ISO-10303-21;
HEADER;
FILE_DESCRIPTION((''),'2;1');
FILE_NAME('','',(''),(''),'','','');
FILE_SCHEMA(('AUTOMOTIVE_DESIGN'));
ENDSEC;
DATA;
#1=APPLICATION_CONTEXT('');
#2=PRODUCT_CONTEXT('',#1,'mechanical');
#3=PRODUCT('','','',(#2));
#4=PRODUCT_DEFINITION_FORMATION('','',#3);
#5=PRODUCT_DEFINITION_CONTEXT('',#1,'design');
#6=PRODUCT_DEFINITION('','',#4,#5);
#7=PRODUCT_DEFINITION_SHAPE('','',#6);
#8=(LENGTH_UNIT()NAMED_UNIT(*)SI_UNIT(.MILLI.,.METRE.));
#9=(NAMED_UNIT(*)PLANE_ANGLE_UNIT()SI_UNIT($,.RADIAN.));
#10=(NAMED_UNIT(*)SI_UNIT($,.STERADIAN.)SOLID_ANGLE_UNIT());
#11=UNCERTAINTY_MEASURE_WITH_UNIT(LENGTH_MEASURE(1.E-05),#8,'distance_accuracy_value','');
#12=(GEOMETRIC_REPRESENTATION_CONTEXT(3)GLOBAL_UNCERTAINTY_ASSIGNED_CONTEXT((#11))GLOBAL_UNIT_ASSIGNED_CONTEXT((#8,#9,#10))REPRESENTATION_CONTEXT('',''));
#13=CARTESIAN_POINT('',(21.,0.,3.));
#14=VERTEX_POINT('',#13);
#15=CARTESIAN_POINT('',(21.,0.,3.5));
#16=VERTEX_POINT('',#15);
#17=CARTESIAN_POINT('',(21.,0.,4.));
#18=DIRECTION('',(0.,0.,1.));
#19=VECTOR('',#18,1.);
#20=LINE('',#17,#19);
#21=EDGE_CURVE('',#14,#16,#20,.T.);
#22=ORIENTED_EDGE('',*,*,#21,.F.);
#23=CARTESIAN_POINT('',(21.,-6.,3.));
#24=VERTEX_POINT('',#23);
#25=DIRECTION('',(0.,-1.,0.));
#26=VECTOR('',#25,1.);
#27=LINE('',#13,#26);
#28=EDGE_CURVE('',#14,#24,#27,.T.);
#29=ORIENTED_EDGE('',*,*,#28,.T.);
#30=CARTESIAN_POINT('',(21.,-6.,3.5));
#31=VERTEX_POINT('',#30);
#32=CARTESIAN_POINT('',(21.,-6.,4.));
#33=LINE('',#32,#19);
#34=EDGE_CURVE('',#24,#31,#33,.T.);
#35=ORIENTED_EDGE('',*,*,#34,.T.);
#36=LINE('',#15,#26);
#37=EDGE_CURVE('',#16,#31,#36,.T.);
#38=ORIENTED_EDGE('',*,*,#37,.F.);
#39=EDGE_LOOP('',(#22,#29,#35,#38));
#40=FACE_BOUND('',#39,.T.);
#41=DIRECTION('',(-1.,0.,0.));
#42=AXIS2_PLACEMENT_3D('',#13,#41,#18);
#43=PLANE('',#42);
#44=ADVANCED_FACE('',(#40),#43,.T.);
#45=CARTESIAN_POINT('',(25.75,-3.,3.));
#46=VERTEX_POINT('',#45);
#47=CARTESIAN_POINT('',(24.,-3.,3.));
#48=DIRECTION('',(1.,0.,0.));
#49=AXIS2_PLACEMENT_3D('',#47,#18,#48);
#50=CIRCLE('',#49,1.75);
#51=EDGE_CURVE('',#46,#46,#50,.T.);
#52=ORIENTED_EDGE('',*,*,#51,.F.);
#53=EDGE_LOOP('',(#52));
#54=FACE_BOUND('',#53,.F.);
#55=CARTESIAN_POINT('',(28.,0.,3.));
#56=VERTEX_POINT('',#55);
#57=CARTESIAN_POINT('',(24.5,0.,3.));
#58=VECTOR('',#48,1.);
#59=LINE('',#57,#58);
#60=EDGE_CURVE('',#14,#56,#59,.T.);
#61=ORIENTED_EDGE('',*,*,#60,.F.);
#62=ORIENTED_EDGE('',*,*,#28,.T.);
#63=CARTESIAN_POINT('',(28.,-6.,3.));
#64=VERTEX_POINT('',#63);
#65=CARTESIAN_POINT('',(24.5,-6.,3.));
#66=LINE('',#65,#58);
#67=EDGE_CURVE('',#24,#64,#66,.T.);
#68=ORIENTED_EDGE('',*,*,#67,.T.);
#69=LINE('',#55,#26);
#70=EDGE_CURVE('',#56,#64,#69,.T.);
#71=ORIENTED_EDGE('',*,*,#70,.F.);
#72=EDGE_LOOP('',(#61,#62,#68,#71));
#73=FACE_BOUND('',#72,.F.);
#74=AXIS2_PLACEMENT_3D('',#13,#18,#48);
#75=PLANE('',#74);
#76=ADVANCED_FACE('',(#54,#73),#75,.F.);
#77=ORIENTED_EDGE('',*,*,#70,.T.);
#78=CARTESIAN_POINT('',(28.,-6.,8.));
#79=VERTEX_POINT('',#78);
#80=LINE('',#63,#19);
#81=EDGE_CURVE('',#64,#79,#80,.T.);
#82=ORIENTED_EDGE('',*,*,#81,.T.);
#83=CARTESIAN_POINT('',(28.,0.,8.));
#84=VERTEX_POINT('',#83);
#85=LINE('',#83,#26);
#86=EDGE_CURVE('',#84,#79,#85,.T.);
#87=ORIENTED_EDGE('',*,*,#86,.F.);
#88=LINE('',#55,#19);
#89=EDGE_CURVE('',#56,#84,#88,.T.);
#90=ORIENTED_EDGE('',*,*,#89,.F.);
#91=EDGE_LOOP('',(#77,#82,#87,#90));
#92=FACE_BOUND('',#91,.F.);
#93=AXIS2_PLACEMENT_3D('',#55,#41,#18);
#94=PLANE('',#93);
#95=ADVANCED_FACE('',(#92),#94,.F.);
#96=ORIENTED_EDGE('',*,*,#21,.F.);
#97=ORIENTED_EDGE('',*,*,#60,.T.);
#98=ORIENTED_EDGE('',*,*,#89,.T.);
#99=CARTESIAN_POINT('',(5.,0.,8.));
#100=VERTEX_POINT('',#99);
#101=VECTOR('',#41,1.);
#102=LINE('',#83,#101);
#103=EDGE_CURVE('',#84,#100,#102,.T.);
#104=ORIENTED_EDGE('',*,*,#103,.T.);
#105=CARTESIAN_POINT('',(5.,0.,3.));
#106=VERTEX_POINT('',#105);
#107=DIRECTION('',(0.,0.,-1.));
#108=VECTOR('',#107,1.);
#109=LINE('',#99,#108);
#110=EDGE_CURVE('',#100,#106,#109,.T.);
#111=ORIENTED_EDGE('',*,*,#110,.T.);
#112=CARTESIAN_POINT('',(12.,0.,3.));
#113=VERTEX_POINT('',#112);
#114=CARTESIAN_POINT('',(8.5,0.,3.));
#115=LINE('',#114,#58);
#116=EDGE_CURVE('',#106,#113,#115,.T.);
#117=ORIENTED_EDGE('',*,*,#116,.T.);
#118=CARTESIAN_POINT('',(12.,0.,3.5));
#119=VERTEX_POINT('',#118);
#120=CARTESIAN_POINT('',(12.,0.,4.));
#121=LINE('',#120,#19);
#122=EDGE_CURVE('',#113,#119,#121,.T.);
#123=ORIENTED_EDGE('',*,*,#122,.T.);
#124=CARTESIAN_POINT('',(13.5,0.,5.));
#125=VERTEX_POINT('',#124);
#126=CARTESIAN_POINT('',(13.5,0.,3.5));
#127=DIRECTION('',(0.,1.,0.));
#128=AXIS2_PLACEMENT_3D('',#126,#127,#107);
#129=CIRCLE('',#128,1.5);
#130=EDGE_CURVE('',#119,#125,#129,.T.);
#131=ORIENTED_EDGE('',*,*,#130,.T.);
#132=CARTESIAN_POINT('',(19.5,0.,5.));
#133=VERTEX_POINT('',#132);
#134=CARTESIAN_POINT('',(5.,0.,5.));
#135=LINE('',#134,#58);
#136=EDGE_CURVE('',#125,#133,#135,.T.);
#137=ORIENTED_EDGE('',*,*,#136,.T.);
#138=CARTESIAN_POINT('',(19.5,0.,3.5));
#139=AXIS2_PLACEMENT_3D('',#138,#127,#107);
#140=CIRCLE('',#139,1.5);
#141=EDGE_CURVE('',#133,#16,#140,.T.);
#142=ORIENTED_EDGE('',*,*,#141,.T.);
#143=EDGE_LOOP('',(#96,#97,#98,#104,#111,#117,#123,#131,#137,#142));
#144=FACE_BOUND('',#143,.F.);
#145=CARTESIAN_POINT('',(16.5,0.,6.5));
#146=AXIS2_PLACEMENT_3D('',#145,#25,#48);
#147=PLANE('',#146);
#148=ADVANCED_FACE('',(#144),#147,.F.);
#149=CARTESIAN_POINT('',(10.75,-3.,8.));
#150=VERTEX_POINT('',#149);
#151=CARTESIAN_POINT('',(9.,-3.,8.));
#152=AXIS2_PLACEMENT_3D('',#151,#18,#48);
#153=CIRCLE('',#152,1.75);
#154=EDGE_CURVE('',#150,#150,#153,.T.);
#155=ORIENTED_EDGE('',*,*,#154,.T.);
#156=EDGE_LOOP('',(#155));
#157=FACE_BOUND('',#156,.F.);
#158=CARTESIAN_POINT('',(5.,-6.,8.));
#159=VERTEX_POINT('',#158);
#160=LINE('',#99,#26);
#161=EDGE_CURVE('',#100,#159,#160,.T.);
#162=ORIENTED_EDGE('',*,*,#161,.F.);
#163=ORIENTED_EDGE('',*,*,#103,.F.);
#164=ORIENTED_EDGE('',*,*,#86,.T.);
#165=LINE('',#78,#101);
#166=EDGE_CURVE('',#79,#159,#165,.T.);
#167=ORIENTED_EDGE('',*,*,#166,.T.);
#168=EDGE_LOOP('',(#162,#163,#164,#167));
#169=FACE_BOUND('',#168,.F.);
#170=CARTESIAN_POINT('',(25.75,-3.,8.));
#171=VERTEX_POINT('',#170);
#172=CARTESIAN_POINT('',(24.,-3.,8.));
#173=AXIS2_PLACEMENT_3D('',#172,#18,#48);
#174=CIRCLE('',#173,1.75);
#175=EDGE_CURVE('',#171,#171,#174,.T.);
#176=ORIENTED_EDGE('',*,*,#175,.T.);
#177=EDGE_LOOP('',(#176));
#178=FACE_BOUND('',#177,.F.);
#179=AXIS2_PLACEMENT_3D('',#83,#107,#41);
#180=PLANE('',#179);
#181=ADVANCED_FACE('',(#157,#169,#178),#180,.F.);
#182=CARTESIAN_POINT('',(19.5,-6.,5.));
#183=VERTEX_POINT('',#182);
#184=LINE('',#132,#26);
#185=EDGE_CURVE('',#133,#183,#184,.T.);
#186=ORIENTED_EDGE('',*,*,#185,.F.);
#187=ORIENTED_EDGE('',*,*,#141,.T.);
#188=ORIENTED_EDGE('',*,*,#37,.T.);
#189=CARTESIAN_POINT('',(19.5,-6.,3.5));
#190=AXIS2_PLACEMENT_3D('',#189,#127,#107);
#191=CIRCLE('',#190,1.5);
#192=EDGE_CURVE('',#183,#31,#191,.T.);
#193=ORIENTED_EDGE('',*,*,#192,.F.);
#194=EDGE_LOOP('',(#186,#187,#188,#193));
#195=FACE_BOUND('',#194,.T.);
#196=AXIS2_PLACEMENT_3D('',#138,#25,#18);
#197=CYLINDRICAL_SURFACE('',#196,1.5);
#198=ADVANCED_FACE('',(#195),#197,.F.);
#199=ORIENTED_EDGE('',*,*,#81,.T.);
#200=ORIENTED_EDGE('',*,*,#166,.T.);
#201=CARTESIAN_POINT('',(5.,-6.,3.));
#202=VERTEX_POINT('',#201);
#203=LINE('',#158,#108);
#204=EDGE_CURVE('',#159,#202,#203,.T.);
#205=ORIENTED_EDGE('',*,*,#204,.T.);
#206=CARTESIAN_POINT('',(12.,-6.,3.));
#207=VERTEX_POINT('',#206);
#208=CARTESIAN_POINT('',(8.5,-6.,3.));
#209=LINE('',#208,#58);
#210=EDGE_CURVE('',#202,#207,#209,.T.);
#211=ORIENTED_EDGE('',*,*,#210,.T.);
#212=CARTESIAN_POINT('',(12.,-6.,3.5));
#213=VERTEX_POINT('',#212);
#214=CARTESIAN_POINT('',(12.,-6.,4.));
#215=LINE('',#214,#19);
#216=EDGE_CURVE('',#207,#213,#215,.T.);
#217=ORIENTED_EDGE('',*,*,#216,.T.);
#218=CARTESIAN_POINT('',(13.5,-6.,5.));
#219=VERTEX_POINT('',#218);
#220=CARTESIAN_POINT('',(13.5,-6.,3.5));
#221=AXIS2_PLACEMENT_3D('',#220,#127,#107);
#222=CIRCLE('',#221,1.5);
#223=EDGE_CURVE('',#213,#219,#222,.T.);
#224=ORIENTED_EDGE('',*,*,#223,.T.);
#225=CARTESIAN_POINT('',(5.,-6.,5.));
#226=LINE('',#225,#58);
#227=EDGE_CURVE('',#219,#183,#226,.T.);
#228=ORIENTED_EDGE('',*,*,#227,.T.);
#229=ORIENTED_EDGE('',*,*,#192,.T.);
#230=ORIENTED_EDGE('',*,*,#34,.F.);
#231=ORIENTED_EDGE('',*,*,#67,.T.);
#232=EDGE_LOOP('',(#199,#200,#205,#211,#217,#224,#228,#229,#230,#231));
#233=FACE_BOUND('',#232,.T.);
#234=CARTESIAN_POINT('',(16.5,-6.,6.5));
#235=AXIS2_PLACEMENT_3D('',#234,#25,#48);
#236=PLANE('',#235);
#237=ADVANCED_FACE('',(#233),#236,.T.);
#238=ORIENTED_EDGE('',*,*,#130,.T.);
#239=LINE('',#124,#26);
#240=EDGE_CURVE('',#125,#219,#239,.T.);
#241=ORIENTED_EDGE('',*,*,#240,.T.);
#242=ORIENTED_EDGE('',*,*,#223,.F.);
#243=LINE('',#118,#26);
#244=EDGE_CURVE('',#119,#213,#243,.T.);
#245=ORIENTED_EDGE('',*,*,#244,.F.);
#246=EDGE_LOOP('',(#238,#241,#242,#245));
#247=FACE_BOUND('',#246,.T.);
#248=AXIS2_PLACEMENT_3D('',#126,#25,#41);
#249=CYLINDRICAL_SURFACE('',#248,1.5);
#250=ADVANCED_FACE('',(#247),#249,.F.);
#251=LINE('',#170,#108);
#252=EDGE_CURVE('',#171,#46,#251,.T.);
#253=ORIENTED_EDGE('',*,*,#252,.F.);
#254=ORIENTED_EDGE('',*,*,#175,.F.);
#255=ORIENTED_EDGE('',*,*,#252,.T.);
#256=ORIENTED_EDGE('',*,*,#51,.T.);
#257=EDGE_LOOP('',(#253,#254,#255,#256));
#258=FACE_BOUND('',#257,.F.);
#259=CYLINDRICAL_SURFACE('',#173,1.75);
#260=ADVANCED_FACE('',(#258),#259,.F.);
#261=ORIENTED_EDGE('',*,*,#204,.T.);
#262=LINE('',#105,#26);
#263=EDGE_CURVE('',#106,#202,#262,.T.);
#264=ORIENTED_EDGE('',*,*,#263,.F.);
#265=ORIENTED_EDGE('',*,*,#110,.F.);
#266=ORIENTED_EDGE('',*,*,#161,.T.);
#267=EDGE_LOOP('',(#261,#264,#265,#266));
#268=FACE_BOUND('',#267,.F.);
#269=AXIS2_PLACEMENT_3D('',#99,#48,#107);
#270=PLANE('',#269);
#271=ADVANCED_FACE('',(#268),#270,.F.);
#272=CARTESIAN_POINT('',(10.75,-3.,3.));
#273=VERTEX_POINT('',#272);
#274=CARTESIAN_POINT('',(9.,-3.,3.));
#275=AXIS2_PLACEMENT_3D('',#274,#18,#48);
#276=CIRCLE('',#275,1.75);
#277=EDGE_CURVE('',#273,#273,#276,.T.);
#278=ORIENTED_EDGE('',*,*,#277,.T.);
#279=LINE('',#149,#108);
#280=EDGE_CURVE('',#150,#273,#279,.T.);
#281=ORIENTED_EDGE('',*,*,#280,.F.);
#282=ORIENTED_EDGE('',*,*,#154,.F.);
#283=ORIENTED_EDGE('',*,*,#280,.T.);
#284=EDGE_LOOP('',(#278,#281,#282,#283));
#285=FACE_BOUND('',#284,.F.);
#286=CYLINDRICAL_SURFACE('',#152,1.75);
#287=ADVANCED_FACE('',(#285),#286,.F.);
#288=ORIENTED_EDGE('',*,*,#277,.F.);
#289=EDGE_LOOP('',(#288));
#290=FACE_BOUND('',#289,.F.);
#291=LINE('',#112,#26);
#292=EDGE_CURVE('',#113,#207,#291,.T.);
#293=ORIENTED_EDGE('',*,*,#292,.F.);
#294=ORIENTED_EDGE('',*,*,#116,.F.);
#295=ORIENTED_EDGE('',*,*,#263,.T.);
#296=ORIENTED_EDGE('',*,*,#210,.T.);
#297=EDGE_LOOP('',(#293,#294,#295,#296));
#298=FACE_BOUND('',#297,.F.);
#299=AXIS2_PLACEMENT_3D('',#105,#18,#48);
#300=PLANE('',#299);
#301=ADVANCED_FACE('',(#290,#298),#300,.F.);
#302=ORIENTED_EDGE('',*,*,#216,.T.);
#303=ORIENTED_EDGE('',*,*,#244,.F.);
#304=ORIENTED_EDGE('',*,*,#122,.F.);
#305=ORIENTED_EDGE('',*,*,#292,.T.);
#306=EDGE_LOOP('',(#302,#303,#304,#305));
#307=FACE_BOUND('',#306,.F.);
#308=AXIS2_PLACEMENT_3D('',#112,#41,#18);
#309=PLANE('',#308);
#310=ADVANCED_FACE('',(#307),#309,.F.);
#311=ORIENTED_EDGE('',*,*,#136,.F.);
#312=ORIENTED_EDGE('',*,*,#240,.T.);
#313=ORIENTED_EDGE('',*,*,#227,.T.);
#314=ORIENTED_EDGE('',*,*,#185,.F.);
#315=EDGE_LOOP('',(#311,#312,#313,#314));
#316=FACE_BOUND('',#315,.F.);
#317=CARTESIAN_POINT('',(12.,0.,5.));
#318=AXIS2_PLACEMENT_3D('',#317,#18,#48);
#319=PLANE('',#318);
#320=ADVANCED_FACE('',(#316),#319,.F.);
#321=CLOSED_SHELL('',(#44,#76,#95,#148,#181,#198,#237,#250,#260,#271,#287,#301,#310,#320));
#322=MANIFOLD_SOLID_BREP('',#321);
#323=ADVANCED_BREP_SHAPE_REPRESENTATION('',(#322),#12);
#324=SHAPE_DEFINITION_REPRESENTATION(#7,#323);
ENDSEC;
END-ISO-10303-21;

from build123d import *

# Parameters (mm, degrees)
F0_W     = 7
F0_H     = 2
F1_DEPTH = 6
F2_R     = 1.75
F3_DEPTH = 5.001
F4_R     = 1.5


with BuildPart() as f1:
    # F0 (on Front) → F1 (new body)
    with BuildSketch(Plane.XZ):
        Polygon((5, 8), (5, 5), (12, 5), (21, 5), (28, 5), (28, 8), align=None)
        with Locations((8.5, 4)):
            Rectangle(F0_W, F0_H)
        with Locations((24.5, 4)):
            Rectangle(F0_W, F0_H)
    extrude(amount=F1_DEPTH)

    # F2 (on face) → F3 (cut, through all)
    with BuildSketch(Plane.XY.offset(8)):
        with Locations((9, -3)):
            Circle(F2_R)
        with Locations((24, -3)):
            Circle(F2_R)
    extrude(amount=-F3_DEPTH, mode=Mode.SUBTRACT)

    # F4
    f4_edges = [f1.edges().sort_by_distance(p)[0] for p in [
        (12, -3, 5),
        (21, -3, 5),
    ]]
    fillet(f4_edges, radius=F4_R)


solid = f1.part
